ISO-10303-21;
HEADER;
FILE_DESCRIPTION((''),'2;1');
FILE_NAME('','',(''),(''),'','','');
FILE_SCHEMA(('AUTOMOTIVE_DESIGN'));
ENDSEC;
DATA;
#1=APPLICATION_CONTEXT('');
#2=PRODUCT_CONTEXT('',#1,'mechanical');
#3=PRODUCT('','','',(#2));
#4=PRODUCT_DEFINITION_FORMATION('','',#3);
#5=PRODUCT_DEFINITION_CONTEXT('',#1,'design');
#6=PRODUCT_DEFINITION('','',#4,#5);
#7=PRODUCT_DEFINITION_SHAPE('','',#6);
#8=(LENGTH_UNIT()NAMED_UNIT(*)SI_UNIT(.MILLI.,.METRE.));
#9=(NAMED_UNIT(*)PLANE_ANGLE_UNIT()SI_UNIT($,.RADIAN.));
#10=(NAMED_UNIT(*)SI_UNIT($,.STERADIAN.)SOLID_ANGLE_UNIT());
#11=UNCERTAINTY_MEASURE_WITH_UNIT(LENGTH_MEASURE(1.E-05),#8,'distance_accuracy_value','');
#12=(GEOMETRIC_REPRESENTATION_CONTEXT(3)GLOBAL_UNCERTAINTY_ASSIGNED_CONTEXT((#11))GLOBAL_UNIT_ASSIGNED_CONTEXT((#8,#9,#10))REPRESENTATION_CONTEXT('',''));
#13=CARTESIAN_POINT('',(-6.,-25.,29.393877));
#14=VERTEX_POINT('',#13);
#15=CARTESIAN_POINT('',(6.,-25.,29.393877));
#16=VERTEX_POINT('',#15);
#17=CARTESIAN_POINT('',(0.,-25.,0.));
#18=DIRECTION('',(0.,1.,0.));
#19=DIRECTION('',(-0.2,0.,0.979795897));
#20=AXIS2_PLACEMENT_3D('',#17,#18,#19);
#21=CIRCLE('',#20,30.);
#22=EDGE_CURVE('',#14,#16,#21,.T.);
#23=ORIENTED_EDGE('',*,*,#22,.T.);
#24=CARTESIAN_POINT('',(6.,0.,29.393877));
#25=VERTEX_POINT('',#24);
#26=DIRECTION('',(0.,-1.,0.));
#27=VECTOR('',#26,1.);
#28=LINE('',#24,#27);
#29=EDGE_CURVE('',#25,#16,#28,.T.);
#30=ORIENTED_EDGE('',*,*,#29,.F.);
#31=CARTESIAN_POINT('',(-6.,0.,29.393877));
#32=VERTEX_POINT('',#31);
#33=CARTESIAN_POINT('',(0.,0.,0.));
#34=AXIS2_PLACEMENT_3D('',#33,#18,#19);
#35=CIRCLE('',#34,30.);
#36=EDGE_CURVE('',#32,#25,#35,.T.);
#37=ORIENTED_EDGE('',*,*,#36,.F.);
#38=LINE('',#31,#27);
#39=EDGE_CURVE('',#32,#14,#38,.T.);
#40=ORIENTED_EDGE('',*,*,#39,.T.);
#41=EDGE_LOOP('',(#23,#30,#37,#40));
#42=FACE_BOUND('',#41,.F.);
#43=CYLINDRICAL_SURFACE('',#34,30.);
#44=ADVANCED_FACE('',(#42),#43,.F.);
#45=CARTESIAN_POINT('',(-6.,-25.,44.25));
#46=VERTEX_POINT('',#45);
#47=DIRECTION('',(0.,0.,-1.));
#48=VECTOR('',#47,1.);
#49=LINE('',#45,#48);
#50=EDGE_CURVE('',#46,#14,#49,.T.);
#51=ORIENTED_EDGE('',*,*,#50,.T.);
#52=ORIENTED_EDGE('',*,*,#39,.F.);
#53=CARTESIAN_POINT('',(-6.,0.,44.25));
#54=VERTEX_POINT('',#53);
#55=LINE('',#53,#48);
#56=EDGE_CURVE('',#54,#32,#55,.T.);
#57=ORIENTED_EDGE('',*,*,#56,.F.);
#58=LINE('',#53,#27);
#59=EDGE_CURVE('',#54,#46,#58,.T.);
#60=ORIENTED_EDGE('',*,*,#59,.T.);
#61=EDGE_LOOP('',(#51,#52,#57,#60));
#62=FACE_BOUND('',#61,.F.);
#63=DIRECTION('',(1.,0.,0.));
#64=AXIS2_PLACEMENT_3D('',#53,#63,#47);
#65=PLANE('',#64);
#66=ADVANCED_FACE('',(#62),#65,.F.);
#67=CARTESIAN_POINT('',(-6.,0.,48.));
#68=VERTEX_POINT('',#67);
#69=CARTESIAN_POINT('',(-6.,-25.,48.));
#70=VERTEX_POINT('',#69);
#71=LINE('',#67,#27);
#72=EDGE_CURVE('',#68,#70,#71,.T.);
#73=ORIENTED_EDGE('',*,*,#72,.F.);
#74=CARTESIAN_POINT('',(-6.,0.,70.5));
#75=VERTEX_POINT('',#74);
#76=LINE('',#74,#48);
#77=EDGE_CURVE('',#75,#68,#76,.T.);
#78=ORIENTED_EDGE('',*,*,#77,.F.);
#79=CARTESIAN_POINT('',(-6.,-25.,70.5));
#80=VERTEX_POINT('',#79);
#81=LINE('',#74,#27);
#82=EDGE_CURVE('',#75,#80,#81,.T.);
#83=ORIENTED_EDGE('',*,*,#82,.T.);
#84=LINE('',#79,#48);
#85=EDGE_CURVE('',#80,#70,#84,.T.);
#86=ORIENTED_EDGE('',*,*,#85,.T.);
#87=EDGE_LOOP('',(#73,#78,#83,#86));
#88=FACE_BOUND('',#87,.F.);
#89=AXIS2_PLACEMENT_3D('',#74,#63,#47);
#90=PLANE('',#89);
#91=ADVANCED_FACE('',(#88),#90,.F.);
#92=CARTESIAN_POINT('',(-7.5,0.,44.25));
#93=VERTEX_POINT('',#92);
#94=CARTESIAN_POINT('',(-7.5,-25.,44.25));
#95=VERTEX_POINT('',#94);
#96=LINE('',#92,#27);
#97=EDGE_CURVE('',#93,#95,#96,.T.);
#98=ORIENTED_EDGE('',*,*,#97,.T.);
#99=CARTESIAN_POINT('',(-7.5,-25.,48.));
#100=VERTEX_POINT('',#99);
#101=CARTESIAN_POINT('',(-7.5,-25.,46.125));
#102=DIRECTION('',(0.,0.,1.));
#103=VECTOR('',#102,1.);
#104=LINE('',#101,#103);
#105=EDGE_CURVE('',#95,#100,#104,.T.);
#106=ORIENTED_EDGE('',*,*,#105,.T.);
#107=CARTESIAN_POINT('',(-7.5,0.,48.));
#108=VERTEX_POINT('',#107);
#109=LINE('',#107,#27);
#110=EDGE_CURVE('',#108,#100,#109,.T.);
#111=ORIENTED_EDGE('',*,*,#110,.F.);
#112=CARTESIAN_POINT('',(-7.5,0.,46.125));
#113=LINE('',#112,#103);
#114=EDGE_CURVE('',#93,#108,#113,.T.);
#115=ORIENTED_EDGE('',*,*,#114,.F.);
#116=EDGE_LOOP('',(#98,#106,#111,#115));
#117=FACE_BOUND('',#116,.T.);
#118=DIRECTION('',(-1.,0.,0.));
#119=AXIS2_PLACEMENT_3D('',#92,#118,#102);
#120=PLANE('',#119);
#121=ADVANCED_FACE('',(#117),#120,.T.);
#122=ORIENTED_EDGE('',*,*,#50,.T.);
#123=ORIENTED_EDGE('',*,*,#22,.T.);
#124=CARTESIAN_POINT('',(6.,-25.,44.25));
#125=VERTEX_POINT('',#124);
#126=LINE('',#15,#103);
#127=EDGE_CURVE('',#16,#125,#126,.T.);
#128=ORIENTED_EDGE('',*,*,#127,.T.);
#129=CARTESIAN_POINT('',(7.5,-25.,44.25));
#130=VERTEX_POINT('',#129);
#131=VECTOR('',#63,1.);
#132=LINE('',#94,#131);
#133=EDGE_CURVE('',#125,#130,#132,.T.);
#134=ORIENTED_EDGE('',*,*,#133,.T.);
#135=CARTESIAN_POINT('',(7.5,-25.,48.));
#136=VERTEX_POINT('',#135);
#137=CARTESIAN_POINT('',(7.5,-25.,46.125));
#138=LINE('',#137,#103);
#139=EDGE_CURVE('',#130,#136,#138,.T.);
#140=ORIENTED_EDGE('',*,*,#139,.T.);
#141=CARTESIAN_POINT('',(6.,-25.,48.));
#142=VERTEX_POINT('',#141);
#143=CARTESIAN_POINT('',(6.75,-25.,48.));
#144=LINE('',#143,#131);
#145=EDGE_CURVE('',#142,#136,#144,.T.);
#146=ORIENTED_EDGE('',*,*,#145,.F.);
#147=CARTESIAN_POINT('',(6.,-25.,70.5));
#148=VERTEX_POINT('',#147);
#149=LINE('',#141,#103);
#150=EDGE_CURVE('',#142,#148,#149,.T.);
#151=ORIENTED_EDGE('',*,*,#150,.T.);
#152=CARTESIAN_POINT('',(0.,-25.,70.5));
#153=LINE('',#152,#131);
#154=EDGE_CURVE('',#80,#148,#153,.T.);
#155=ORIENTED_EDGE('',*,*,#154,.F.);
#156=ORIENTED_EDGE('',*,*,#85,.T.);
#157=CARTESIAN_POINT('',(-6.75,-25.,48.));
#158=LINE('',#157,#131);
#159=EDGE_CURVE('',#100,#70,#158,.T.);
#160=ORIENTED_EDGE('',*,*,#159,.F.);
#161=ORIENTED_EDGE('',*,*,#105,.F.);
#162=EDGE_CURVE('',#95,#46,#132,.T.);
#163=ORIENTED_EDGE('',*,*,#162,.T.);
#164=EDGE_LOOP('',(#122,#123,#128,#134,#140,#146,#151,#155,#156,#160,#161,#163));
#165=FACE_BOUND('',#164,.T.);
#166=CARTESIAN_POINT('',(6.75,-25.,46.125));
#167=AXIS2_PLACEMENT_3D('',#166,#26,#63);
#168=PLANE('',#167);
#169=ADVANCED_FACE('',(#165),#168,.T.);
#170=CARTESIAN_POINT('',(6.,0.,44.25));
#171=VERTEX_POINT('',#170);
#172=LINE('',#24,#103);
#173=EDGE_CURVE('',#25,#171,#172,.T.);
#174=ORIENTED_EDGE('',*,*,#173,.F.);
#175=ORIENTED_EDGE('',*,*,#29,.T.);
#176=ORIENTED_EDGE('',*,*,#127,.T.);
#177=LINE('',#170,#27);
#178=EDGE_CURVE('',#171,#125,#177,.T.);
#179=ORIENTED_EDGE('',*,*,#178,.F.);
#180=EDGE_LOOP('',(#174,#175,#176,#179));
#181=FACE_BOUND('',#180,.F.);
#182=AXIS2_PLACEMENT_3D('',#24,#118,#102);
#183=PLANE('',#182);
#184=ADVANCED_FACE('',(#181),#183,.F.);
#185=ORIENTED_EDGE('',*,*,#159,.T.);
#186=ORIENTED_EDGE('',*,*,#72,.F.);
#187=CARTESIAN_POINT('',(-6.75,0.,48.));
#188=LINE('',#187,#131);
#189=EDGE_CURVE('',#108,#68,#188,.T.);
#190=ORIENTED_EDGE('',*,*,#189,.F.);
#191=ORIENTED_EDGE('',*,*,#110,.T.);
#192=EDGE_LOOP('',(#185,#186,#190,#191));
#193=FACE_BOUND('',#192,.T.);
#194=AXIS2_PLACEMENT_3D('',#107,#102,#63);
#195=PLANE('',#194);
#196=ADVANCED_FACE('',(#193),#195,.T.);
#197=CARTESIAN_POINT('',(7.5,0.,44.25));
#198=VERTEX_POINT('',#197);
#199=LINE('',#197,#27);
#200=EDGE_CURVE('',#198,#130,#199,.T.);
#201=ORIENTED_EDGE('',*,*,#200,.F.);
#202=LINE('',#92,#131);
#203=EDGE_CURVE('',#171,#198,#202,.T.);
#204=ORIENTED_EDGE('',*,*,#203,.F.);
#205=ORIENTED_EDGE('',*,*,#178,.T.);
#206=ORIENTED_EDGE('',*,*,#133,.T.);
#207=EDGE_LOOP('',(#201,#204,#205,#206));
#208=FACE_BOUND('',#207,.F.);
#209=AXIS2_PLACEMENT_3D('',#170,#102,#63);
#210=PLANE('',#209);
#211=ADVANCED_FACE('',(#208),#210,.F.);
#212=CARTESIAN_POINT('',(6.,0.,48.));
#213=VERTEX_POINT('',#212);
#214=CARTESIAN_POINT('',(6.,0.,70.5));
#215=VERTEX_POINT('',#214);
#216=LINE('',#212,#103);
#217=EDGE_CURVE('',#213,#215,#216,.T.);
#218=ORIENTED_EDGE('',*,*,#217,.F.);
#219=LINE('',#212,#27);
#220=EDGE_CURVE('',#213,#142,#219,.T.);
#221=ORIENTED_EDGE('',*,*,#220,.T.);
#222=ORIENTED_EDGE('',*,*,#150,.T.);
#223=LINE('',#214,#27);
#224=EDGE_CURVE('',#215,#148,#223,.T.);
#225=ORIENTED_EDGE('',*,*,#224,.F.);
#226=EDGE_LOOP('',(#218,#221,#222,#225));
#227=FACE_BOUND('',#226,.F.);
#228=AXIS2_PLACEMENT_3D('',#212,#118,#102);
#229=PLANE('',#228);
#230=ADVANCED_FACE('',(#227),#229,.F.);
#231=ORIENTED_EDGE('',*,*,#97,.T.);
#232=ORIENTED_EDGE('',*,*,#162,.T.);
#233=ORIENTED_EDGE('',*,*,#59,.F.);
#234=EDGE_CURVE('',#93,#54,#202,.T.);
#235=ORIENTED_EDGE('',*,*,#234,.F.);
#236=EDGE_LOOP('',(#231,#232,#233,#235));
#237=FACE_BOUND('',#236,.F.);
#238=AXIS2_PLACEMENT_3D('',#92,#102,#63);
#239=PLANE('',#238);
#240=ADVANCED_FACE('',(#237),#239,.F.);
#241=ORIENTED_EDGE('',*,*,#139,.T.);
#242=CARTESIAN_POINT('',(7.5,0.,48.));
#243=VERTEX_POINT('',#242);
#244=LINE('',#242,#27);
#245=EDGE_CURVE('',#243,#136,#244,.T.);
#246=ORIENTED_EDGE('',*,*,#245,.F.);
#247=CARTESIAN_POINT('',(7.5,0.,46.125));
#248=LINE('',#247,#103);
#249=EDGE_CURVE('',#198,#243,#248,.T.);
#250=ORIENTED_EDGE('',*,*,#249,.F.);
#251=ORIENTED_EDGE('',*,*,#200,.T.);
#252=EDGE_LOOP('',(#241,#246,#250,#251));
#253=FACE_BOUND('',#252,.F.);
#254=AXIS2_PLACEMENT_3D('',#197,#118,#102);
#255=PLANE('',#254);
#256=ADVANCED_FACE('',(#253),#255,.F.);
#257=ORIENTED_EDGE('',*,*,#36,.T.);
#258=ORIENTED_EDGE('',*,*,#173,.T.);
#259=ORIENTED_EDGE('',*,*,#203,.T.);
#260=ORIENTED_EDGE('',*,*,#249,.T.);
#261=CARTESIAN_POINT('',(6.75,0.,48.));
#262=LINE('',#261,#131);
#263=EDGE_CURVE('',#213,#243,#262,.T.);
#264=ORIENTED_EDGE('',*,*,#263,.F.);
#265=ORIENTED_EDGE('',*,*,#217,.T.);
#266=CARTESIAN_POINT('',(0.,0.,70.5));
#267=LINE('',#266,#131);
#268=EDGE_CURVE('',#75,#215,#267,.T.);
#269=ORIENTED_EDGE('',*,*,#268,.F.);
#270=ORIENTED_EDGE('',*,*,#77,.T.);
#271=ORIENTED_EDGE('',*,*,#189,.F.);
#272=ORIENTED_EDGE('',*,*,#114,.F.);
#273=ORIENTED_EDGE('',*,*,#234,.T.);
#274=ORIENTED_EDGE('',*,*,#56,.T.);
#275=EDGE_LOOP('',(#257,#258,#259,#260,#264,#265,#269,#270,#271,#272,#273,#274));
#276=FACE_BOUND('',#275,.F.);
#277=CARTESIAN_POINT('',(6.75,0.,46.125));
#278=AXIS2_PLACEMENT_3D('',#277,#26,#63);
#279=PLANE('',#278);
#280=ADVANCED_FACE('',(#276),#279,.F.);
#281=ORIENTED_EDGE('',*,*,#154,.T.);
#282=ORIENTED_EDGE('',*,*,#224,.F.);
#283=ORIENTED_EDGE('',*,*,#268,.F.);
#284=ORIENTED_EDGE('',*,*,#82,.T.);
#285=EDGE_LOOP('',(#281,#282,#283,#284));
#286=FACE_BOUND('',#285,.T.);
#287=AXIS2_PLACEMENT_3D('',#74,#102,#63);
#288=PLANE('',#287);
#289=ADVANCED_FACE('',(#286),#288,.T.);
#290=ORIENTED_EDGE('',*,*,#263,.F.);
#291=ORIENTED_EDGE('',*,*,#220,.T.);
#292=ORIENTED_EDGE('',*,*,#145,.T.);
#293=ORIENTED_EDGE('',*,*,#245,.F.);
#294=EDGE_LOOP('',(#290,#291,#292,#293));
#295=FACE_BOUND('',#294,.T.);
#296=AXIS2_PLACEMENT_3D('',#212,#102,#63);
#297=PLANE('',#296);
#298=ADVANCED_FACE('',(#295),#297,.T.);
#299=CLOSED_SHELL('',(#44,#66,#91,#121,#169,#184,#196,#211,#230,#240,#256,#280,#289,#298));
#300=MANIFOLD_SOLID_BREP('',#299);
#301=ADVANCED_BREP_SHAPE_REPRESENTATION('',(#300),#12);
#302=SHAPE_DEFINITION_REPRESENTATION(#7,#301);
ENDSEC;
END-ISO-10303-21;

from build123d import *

# Parameters (mm, degrees)
F0_W     = 1.5
F0_H     = 3.75
F0_W_2   = 12
F0_H_2   = 1.5
F0_H_3   = 21
F1_DEPTH = 25


with BuildPart() as f1:
    # F0 (on Front) → F1 (new body)
    with BuildSketch(Plane.XZ):
        with Locations((6.75, 46.125)):
            Rectangle(F0_W, F0_H)
        with Locations((-6.75, 46.125)):
            Rectangle(F0_W, F0_H)
        with Locations((0, 69.75)):
            Rectangle(F0_W_2, F0_H_2)
        with Locations((0, 58.5)):
            Rectangle(F0_W_2, F0_H_3)
        with Locations((0, 46.125)):
            Rectangle(F0_W_2, F0_H)
        with BuildLine():
            ThreePointArc((-6, 29.3938769134), (0, 30), (6, 29.3938769134))
            Line((6, 29.3938769134), (6, 44.25))
            Line((6, 44.25), (-6, 44.25))
            Line((-6, 44.25), (-6, 29.3938769134))
        make_face()
    extrude(amount=F1_DEPTH)


solid = f1.part
